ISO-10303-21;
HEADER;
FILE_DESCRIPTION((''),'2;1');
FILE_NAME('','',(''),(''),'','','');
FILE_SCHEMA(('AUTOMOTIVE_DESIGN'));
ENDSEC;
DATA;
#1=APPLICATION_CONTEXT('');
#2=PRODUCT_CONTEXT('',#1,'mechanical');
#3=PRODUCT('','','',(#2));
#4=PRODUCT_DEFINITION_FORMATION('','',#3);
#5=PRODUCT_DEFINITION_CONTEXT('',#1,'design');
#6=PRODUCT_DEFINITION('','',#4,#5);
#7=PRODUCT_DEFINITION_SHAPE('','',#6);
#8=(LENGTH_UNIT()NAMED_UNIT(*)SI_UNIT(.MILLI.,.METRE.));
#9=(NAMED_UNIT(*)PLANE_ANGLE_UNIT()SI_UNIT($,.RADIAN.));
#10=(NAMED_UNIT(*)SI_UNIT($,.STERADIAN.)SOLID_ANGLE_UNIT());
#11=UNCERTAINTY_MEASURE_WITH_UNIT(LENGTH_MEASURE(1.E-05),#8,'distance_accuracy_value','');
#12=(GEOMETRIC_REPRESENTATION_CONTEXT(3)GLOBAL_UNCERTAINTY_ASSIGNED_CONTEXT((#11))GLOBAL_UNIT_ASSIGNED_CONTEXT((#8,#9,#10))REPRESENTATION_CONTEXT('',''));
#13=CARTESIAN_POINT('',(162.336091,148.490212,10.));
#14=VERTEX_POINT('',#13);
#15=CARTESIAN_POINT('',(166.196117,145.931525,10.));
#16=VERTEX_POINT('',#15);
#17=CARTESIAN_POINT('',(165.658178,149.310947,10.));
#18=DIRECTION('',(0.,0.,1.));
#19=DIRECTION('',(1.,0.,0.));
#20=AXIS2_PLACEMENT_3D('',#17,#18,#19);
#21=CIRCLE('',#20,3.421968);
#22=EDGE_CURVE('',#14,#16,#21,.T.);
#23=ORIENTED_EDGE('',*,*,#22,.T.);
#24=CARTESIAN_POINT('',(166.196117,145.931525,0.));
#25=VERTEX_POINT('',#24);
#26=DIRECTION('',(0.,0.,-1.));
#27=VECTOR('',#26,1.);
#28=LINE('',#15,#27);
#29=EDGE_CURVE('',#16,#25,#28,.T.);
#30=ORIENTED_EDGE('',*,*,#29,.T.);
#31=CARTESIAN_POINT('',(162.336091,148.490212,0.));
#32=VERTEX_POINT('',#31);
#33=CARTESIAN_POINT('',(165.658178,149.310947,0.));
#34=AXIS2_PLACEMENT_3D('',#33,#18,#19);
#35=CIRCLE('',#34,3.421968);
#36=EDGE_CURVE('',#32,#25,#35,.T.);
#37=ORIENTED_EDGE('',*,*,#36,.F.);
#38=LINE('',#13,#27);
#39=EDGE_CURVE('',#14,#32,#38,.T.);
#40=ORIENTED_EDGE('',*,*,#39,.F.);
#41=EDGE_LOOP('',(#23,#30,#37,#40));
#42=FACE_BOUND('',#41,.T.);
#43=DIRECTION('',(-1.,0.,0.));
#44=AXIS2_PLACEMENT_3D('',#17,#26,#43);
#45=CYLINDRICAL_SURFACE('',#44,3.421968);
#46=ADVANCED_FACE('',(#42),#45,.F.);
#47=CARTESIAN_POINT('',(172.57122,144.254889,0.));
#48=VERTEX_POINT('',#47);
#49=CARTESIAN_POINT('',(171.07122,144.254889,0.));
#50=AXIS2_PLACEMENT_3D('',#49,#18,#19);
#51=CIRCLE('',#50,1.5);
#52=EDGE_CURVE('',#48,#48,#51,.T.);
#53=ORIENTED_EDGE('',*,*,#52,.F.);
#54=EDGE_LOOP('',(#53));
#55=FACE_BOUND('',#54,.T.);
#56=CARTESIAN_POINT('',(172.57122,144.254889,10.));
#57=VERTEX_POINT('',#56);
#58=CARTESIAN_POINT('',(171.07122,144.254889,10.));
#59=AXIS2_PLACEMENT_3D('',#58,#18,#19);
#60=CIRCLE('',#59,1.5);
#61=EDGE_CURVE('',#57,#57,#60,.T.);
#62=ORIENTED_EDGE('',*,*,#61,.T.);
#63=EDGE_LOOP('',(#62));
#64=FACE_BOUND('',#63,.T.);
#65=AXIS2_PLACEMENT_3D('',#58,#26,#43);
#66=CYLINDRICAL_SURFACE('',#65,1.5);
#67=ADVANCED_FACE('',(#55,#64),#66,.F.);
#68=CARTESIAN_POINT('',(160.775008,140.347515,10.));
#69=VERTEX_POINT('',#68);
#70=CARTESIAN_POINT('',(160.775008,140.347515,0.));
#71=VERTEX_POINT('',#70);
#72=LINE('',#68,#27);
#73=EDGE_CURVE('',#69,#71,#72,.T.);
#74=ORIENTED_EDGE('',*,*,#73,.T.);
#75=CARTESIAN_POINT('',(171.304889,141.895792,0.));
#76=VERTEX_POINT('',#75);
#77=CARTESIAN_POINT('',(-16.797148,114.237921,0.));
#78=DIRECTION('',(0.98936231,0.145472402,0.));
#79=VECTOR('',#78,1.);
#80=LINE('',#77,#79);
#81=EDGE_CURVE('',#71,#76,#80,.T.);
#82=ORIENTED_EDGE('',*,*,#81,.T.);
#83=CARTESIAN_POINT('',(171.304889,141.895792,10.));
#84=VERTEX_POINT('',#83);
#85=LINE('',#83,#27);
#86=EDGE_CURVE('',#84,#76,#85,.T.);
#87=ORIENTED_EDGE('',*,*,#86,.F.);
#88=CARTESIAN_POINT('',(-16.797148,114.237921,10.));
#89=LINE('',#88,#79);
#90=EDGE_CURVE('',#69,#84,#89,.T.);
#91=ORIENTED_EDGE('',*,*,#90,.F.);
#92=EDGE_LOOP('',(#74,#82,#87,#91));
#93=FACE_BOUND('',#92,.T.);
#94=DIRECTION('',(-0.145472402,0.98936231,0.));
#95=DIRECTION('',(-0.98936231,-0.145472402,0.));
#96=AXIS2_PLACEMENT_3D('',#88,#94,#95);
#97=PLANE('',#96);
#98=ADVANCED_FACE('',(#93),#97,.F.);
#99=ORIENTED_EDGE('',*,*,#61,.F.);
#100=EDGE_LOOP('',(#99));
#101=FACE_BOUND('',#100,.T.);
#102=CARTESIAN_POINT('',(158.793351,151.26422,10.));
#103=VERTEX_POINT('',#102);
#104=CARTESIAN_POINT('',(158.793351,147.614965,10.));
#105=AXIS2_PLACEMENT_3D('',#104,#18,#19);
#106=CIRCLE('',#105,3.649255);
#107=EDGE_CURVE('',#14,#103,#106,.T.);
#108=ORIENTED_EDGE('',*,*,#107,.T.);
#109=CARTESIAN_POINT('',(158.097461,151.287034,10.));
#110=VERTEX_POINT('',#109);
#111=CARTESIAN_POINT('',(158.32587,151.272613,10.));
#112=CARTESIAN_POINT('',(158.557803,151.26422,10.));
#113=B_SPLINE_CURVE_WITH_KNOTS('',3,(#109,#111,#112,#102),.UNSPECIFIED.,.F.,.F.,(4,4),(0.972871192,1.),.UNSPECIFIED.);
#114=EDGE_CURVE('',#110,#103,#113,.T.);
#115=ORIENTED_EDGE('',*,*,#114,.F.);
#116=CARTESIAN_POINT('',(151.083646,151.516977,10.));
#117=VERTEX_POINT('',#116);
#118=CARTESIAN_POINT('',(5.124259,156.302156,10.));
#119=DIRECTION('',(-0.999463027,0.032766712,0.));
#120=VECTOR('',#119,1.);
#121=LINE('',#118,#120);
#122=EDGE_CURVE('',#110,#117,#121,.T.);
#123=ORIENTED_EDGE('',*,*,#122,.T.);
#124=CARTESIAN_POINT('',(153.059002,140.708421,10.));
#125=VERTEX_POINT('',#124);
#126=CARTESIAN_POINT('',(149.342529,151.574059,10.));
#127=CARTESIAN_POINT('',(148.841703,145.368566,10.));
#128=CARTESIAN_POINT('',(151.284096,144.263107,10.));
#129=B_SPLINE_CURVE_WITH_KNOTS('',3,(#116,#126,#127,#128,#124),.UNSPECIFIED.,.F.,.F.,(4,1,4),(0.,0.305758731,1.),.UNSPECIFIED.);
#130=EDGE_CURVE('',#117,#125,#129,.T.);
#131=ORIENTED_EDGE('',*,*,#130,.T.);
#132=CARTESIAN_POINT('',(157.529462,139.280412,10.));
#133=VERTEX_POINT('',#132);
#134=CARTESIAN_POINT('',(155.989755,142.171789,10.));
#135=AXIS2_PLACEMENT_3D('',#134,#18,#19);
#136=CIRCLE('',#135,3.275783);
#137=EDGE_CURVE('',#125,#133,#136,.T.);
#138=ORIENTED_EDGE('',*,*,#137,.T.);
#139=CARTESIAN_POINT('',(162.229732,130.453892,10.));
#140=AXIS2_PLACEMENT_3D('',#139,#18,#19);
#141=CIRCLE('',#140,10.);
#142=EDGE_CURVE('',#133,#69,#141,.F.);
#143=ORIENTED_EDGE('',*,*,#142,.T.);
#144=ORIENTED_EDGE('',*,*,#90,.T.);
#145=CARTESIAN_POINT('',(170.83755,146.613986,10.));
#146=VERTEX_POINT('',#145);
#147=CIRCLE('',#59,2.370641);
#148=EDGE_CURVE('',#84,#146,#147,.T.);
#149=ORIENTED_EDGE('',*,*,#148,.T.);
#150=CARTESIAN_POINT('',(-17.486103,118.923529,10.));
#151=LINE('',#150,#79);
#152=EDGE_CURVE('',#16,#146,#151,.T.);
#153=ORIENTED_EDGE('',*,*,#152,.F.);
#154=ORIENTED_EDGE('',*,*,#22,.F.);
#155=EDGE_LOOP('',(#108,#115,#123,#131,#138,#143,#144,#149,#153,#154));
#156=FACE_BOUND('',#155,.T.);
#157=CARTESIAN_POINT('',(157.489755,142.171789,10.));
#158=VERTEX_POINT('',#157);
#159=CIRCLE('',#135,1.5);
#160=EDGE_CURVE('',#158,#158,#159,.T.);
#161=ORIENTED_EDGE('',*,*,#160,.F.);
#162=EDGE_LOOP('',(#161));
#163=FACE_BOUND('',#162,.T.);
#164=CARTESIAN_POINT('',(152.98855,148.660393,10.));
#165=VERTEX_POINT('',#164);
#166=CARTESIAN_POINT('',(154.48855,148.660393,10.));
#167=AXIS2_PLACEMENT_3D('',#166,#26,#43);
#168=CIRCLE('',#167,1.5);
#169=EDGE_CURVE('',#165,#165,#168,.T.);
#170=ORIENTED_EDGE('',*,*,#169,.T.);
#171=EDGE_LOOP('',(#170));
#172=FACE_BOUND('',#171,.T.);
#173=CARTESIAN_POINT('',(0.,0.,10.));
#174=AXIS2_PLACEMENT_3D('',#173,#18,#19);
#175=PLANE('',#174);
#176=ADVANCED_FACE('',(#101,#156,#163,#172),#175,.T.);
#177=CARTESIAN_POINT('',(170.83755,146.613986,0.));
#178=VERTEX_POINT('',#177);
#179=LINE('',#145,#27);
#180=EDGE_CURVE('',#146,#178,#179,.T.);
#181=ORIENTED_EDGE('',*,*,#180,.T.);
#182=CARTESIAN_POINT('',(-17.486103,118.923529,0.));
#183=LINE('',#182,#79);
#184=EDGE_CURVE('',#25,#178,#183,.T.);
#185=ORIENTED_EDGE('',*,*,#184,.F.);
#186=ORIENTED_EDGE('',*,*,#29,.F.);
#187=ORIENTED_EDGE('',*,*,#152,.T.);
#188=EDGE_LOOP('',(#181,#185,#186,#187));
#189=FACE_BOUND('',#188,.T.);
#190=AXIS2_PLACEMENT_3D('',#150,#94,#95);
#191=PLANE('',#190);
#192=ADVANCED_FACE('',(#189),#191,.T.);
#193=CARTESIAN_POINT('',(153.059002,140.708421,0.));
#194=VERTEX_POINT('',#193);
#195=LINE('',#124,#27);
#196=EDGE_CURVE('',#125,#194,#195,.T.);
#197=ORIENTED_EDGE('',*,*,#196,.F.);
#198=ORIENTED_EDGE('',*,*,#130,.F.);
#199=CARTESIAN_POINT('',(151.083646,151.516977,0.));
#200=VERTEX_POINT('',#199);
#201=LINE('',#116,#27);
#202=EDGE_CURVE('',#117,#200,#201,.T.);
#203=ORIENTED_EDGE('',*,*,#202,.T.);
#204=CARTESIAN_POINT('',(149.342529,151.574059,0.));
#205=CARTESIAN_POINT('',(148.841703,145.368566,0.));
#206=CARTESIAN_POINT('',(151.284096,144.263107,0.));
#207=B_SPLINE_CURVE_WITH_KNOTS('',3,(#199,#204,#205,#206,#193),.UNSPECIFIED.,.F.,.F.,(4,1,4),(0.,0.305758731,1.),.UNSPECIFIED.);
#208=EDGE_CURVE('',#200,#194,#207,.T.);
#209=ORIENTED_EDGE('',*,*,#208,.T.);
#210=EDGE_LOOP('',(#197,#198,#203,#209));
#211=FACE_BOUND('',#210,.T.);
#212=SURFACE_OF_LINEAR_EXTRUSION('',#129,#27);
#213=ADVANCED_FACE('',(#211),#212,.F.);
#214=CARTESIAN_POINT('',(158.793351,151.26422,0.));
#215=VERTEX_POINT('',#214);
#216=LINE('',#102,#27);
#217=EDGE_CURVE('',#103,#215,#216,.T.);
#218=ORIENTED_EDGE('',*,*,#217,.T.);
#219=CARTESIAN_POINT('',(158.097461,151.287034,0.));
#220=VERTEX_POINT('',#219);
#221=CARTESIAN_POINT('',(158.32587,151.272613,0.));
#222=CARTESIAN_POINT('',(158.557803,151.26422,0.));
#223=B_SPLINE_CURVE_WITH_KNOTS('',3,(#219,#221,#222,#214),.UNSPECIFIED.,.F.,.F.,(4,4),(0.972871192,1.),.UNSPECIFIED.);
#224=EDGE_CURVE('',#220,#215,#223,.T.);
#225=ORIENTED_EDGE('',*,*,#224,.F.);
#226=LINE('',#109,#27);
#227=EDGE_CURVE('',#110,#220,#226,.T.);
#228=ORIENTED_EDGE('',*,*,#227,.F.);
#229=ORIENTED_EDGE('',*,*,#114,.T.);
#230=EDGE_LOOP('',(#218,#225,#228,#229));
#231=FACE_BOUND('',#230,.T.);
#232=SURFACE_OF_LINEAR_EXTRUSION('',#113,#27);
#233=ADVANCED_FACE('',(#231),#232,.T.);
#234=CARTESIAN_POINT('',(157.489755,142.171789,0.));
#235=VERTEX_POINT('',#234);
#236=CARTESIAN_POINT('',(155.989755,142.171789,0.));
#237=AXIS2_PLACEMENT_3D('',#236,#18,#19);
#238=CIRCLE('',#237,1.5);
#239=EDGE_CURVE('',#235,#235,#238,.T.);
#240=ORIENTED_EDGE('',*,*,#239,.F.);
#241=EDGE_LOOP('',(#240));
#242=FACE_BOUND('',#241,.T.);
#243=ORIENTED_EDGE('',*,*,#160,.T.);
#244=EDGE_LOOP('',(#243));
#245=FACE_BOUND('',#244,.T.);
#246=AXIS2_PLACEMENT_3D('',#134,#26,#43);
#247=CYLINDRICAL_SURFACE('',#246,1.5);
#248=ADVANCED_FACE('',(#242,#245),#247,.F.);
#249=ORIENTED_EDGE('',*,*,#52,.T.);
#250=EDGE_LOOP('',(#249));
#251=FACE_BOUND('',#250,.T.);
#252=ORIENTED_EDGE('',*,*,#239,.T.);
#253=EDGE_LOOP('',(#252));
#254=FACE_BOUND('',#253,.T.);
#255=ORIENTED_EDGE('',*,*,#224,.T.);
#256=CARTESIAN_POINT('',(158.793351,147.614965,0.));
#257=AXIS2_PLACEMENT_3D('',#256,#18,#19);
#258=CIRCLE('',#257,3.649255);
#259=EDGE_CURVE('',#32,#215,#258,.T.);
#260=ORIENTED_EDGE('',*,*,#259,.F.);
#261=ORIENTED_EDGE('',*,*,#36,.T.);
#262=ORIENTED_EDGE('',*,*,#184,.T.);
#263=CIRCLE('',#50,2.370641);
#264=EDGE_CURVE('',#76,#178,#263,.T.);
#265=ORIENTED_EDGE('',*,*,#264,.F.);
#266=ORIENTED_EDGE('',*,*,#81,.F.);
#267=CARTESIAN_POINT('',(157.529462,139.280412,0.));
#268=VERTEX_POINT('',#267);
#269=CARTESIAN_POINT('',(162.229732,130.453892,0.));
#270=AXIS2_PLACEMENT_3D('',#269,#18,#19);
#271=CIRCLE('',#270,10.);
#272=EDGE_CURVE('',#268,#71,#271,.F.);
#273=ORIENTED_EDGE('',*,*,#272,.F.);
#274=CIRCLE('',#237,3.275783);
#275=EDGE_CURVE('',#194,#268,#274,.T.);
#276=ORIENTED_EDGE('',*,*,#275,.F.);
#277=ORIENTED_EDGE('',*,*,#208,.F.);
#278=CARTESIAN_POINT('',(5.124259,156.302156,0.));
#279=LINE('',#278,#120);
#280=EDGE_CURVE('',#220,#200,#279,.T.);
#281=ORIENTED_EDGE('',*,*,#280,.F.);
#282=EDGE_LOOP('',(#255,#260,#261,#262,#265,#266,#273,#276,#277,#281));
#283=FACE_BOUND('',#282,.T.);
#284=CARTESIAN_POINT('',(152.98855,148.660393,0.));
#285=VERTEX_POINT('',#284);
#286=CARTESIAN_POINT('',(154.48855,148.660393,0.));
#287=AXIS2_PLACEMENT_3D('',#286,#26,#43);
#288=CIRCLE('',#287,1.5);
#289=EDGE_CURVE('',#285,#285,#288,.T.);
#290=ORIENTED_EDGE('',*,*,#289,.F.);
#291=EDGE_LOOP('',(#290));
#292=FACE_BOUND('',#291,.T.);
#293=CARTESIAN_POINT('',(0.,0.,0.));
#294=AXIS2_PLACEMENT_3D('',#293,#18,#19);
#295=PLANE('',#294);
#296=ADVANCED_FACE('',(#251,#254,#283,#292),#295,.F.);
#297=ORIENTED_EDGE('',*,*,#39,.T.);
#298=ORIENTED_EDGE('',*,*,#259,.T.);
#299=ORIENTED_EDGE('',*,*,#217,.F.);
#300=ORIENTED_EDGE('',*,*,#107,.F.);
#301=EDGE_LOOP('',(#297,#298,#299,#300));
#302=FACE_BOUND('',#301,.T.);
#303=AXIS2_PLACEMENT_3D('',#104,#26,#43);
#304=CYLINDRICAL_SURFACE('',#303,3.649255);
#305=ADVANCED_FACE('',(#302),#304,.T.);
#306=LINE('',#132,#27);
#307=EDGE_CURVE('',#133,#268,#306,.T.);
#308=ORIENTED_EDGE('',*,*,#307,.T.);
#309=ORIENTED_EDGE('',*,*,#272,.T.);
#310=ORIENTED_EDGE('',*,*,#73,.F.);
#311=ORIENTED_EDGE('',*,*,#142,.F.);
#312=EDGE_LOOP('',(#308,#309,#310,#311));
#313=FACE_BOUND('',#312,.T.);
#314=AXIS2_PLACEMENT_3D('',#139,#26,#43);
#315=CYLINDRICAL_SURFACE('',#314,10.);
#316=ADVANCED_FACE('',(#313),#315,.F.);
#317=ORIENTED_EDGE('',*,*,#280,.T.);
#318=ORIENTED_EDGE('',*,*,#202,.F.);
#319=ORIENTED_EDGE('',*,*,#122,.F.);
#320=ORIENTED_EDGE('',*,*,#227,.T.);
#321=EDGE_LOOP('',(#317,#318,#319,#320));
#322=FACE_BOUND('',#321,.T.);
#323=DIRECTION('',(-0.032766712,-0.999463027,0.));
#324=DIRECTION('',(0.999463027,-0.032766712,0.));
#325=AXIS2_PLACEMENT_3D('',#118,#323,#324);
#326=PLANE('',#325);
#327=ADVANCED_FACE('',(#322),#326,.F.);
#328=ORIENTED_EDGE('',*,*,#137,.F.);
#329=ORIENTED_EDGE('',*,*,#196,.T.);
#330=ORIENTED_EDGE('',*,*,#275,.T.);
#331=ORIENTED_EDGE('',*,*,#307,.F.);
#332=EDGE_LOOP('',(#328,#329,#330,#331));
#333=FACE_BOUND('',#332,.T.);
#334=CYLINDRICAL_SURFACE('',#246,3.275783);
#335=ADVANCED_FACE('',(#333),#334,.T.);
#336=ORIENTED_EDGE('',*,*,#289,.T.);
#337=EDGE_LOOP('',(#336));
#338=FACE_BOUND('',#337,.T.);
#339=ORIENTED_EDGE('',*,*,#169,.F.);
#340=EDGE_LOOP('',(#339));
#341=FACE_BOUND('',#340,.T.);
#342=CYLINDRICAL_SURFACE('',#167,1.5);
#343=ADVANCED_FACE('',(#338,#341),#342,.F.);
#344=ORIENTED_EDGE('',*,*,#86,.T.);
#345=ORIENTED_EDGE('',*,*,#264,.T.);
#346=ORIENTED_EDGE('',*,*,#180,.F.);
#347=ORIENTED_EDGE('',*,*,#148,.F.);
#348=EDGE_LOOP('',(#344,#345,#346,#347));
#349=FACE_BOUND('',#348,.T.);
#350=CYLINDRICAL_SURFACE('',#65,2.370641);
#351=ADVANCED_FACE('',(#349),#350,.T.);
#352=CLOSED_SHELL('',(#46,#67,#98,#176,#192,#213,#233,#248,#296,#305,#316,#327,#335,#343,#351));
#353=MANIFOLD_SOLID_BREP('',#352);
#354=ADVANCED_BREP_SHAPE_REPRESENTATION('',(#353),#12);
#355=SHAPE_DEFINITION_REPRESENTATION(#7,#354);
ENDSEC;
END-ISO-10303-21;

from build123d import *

# Parameters (mm, degrees)
ESQUISSE1_R             = 1.5
BOSS_EXTRU_1_DEPTH      = 10
ESQUISSE4_R             = 1.5
ENL_V_MAT_EXTRU_1_DEPTH = 10


with BuildPart() as part:
    # Esquisse1 → Boss.-Extru.1 (new body)
    with BuildSketch(Plane.XY):
        with BuildLine():
            ThreePointArc((166.196116566, 145.931525385), (166.155979782, 145.925380319), (166.115772908, 145.919711933))
            ThreePointArc((166.115772908, 145.919711933), (163.733808584, 146.481340732), (162.336090633, 148.490212425))
            ThreePointArc((162.336090633, 148.490212425), (161.043135484, 150.488209055), (158.793350908, 151.264219956))
            add(Edge.make_bspline(
                [(158.097461395, 151.287034218), (158.325870367, 151.272612558), (158.557802913, 151.264219956), (158.793350908, 151.264219956)],
                knots=[0.972871192, 0.972871192, 0.972871192, 0.972871192, 1, 1, 1, 1], degree=3))
            Line((158.097461395, 151.287034218), (151.083645878, 151.516977361))
            add(Edge.make_bspline(
                [(151.083645878, 151.516977361), (149.342529168, 151.574058681), (148.84170313, 145.368566224), (151.28409597, 144.26310725), (153.059001839, 140.708421316)],
                knots=[0, 0, 0, 0, 0.305758731, 1, 1, 1, 1], degree=3))
            ThreePointArc((153.059001839, 140.708421316), (154.992982473, 139.051339554), (157.529461725, 139.280411726))
            ThreePointArc((157.529461725, 139.280411726), (159.106326045, 139.953593423), (160.77500835, 140.347514793))
            Line((160.77500835, 140.347514793), (171.304889346, 141.895791964))
            ThreePointArc((171.304889346, 141.895791964), (173.430316642, 144.488558391), (170.837550215, 146.613985687))
            Line((170.837550215, 146.613985687), (166.196116566, 145.931525385))
        make_face()
        with Locations((155.989754872, 142.171788504)):
            Circle(ESQUISSE1_R, mode=Mode.SUBTRACT)
        with Locations((171.07121978, 144.254888826)):
            Circle(ESQUISSE1_R, mode=Mode.SUBTRACT)
    extrude(amount=BOSS_EXTRU_1_DEPTH)

    # Esquisse4 → Enlèv. mat.-Extru.1 (cut)
    with BuildSketch(Plane(origin=(0, 0, 0), x_dir=(-1, 0, 0), z_dir=(0, 0, -1))):
        with Locations((-154.488550327, 148.660392739)):
            Circle(ESQUISSE4_R)
    extrude(amount=-ENL_V_MAT_EXTRU_1_DEPTH, mode=Mode.SUBTRACT)


solid = part.part
